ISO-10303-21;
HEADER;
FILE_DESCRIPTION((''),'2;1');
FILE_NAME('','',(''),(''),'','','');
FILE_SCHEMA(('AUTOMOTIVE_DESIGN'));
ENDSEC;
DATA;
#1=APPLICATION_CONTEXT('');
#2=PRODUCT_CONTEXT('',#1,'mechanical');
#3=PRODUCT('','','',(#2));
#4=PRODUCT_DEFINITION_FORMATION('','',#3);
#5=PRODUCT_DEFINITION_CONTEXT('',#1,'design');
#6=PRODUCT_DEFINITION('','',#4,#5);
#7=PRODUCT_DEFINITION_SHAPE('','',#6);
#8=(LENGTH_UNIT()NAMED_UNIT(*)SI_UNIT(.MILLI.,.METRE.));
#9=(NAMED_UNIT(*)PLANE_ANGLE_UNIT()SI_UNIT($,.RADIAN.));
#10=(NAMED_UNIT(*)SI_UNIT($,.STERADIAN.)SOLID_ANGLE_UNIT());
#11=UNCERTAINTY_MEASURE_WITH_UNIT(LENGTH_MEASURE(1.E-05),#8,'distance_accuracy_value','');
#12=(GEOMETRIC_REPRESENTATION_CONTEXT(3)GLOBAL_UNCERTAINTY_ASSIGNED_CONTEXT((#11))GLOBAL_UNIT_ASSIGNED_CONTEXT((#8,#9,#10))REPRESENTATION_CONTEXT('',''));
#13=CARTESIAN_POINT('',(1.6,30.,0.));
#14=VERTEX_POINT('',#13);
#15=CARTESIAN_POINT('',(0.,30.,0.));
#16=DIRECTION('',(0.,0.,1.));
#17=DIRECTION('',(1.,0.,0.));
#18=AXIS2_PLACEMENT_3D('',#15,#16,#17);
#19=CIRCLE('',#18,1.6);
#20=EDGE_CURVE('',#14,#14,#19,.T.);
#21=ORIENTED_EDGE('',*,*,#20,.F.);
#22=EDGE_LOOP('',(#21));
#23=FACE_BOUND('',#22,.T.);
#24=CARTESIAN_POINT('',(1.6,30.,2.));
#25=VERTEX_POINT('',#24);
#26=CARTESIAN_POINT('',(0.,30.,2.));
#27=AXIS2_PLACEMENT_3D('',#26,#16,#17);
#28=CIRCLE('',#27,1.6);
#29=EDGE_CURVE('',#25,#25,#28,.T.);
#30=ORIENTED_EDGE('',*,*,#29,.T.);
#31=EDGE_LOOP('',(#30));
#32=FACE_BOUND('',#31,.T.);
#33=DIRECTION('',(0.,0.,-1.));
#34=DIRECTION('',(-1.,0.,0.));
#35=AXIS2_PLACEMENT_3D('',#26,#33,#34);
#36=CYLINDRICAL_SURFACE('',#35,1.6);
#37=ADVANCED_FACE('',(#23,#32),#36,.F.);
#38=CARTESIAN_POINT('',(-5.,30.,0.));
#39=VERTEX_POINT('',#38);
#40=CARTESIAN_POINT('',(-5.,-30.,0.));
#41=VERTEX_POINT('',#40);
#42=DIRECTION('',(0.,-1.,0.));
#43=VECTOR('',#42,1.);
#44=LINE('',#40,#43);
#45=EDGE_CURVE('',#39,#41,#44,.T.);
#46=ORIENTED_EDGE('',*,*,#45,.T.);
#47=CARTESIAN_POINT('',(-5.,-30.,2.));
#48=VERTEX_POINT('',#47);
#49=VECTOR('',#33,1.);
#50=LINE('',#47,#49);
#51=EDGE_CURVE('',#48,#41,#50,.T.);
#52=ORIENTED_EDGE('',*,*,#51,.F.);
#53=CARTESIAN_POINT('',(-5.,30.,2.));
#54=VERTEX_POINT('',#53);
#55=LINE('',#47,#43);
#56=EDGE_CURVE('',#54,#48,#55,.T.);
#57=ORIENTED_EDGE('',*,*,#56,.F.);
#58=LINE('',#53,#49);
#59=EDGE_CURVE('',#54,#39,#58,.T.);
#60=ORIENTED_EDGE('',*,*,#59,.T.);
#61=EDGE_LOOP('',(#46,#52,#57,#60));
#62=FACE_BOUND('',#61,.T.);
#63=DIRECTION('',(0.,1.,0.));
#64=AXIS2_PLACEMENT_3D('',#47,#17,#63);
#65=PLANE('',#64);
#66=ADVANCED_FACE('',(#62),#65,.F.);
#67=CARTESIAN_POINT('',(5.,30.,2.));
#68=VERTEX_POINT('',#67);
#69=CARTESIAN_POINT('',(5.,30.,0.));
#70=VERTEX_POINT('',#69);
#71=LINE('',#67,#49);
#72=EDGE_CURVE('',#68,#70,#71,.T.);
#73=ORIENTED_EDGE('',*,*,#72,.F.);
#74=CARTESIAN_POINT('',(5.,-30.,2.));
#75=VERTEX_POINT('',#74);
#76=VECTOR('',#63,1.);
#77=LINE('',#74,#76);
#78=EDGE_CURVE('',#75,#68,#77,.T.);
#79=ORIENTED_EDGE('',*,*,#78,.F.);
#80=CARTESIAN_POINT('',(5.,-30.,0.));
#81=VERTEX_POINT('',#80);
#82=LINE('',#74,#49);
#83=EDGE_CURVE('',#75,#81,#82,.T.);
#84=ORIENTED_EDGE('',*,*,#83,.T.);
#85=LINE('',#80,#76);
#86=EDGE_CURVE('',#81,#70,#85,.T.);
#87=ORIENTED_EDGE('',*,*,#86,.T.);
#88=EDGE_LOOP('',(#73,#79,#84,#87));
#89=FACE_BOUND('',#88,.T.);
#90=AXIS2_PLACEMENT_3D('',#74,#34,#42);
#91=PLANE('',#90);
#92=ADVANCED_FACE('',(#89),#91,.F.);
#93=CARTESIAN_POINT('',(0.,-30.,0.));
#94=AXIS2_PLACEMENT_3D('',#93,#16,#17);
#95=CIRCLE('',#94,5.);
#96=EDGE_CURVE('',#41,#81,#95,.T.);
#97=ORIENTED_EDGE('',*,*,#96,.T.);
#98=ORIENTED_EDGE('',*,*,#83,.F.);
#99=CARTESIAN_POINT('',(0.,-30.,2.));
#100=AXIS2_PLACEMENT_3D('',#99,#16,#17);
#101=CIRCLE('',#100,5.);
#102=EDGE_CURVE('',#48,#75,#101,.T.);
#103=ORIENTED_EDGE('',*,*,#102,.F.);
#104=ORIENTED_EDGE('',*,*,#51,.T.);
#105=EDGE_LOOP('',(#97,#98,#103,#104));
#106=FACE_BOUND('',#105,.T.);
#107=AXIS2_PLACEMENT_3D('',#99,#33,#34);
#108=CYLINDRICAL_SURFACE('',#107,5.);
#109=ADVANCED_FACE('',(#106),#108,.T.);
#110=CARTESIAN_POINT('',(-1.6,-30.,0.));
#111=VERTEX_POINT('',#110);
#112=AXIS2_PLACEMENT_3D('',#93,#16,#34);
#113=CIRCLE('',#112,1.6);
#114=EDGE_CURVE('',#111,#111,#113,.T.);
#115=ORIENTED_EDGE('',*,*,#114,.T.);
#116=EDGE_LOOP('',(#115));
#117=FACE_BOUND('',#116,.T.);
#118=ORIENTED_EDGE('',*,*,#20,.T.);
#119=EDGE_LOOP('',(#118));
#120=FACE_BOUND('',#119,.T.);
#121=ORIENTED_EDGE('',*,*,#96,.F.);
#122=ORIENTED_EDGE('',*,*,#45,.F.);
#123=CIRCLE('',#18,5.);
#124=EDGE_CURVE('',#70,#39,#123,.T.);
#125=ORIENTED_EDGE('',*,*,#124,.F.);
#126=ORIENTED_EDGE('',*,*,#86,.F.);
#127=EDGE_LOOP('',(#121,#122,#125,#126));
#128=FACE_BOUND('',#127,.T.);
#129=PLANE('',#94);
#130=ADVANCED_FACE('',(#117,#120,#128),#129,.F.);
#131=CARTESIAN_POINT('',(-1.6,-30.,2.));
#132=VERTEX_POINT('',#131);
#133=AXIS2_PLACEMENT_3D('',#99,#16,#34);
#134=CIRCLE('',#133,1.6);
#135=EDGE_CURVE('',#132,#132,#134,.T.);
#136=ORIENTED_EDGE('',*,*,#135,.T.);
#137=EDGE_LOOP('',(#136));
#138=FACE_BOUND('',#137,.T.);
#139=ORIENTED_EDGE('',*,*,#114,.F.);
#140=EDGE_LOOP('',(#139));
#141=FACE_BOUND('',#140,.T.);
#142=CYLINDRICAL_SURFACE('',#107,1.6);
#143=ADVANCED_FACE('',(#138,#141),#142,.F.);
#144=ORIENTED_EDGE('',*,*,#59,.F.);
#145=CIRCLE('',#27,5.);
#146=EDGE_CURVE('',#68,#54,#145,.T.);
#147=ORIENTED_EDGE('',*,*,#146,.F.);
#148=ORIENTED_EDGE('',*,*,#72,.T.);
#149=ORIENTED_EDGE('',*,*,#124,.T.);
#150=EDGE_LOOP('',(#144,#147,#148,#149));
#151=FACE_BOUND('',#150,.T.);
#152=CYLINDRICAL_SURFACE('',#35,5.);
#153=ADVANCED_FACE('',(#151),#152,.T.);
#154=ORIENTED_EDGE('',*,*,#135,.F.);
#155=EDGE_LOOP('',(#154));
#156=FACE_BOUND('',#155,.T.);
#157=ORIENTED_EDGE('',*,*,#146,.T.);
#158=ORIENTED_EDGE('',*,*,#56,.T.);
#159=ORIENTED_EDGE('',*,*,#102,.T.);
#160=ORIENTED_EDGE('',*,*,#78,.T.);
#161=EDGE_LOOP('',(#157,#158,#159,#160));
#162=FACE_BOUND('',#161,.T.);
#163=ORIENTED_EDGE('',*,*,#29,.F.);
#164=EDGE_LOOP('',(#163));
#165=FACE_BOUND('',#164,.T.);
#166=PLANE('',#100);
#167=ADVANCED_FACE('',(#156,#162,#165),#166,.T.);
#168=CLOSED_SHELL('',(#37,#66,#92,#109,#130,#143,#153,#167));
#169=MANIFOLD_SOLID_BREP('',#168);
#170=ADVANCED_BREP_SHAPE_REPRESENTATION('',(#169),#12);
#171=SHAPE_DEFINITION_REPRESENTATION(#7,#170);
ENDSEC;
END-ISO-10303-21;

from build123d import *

# Parameters (mm, degrees)
SKETCH_1_R      = 1.6
EXTRUDE_1_DEPTH = 2


with BuildPart() as part:
    # 草图1 → 凸台-拉伸1 (new body)
    with BuildSketch(Plane.XY):
        with BuildLine():
            Line((-5, -30), (-5, 30))
            ThreePointArc((-5, 30), (0, 35), (5, 30))
            Line((5, 30), (5, -30))
            ThreePointArc((5, -30), (0, -35), (-5, -30))
        make_face()
        with Locations((0, 30)):
            Circle(SKETCH_1_R, mode=Mode.SUBTRACT)
        with Locations(Location((0, -30, 0), (0, 0, 180))):
            Circle(SKETCH_1_R, mode=Mode.SUBTRACT)
    extrude(amount=EXTRUDE_1_DEPTH)


solid = part.part
